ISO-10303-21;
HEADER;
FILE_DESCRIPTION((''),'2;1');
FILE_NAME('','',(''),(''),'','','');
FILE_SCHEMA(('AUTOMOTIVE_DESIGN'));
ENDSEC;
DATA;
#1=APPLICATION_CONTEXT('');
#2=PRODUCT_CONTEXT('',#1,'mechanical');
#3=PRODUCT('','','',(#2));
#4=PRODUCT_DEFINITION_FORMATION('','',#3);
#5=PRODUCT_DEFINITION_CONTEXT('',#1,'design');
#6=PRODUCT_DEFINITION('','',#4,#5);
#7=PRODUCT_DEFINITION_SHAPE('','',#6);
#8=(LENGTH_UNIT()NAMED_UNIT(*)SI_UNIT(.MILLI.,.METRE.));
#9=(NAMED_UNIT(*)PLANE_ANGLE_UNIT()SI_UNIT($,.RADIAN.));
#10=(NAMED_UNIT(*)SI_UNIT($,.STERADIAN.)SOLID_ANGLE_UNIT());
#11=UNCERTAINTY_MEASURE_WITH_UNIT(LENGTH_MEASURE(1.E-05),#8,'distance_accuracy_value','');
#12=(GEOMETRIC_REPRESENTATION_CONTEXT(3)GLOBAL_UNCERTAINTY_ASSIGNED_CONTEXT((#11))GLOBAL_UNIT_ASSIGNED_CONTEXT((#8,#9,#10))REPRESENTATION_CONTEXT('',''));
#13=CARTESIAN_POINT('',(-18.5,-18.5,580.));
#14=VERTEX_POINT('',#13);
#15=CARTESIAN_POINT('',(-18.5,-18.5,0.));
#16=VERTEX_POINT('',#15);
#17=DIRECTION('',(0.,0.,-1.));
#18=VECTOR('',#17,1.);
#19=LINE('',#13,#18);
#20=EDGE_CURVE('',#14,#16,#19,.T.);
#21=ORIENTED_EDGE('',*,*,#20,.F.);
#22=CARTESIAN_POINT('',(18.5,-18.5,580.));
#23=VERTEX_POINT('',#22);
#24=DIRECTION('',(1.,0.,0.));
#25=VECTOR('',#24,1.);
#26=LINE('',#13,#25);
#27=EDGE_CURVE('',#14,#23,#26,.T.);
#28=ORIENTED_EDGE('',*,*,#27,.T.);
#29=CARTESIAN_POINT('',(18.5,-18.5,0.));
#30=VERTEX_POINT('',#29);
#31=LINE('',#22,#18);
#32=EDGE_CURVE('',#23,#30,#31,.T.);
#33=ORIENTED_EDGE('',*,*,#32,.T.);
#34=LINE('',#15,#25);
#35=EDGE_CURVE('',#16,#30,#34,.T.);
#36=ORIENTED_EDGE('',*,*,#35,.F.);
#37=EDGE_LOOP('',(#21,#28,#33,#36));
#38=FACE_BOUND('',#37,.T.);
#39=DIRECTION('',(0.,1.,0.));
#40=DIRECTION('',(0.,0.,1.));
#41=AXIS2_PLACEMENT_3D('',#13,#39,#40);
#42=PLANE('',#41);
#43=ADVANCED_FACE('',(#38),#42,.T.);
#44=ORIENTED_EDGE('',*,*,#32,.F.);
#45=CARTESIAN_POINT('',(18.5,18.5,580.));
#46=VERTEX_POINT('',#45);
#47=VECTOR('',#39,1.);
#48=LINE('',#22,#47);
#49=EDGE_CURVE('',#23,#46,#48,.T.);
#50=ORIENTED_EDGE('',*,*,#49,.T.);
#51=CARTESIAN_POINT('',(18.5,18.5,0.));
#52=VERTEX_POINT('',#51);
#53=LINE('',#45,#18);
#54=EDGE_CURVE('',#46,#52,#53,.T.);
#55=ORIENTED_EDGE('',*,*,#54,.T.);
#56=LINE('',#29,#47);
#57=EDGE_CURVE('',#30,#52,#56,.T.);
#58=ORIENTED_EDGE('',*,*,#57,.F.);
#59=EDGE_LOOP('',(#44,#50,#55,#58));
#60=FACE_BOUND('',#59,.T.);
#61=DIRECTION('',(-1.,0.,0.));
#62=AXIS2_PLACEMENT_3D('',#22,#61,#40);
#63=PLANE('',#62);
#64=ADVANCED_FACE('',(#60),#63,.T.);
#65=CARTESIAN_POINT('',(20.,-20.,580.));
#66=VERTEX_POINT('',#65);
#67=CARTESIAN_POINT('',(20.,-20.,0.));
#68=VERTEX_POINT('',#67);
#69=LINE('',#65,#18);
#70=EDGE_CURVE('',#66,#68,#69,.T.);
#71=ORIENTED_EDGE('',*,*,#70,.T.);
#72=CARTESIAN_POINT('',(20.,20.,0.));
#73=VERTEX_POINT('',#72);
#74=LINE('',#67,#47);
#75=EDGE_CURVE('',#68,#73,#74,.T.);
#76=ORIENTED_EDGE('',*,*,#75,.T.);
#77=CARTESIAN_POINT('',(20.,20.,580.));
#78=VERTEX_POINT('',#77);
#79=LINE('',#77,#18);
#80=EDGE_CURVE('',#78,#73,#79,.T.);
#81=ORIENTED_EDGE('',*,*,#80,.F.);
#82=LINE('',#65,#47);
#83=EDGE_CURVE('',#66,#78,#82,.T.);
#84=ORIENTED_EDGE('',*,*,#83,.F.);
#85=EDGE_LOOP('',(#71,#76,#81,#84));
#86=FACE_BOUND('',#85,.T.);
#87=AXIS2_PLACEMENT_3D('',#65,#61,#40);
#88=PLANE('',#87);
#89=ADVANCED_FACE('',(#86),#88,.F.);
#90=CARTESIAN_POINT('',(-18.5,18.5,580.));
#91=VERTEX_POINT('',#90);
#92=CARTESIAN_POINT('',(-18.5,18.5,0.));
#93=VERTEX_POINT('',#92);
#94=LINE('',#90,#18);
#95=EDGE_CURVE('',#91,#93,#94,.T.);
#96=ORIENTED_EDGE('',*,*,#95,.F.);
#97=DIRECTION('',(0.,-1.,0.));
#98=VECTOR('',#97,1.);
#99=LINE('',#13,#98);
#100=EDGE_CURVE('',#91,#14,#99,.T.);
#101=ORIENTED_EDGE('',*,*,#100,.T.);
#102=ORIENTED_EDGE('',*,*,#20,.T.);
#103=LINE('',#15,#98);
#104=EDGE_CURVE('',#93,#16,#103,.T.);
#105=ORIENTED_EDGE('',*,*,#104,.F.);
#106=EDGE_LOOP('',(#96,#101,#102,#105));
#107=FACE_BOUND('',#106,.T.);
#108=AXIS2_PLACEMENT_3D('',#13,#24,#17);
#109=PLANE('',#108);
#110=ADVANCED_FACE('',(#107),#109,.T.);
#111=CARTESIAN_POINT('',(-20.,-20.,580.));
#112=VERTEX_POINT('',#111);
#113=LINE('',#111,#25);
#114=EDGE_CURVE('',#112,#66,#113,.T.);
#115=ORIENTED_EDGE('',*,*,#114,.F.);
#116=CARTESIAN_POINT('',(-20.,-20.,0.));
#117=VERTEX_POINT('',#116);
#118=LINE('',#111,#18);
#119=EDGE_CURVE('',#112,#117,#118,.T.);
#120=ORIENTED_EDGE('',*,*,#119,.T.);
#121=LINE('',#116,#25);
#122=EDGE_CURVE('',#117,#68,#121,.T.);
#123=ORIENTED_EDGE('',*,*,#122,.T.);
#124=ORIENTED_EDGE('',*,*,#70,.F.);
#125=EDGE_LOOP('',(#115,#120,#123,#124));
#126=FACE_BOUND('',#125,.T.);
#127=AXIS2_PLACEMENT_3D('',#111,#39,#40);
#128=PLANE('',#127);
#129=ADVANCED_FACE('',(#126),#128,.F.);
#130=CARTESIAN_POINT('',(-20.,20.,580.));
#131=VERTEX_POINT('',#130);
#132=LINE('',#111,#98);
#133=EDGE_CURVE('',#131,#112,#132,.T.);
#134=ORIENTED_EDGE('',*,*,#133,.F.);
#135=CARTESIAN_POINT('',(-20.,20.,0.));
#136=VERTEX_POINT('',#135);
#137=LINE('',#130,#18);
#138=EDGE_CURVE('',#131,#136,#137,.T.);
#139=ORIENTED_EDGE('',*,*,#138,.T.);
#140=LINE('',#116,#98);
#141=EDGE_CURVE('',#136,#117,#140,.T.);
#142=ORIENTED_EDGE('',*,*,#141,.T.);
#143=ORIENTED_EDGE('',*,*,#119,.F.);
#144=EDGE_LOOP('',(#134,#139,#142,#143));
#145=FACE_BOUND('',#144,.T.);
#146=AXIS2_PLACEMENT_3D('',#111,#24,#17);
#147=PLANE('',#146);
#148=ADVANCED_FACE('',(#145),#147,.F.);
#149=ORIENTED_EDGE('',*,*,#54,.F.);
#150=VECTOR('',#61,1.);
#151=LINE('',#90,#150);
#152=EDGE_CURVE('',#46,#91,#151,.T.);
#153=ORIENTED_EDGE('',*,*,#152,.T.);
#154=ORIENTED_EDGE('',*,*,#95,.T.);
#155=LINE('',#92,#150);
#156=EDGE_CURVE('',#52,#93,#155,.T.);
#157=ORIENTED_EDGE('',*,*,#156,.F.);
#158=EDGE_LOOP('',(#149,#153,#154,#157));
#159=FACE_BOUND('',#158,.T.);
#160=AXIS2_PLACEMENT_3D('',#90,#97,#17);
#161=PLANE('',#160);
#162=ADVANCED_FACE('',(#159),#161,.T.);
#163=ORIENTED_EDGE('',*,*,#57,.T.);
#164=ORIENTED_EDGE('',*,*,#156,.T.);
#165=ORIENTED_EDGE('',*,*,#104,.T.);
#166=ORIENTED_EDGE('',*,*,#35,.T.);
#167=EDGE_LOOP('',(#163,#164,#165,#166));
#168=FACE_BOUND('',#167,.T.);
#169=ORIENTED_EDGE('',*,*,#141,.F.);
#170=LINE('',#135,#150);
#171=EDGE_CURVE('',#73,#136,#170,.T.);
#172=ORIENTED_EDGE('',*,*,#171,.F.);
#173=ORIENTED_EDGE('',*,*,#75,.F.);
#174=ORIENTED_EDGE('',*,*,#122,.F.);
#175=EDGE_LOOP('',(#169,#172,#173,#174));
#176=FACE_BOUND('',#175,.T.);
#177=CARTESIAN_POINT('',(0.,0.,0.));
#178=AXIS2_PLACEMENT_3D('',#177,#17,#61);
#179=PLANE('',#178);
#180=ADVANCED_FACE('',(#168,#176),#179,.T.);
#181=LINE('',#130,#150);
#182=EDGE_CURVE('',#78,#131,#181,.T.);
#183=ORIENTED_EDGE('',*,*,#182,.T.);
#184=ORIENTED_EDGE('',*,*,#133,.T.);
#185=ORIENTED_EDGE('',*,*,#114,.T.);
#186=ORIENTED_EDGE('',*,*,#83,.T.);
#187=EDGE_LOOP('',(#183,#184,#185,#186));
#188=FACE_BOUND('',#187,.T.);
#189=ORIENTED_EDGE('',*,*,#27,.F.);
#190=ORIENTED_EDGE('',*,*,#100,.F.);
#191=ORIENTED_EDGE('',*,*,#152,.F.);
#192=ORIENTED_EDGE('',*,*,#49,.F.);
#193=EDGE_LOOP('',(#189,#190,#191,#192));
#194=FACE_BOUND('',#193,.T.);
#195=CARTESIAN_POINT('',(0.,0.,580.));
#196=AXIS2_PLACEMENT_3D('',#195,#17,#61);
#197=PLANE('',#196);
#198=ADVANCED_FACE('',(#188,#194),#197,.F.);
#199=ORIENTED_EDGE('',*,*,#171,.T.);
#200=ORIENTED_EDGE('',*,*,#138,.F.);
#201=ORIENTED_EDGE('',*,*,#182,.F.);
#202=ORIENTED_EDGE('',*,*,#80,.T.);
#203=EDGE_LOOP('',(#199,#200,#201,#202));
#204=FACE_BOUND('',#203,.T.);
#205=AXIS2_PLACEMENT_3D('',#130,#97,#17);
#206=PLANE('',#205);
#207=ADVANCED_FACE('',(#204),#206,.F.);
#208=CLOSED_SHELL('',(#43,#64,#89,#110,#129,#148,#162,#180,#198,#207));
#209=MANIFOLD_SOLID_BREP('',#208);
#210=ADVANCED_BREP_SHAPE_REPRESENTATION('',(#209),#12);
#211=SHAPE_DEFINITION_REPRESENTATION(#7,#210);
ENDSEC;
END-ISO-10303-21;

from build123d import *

# Parameters (mm, degrees)
ESQUISSE1_W        = 40
ESQUISSE1_H        = 40
ESQUISSE1_W_2      = 37
ESQUISSE1_H_2      = 37
BOSS_EXTRU_1_DEPTH = 580


with BuildPart() as part:
    # Esquisse1 → Boss.-Extru.1 (new body)
    with BuildSketch(Plane.XY):
        Rectangle(ESQUISSE1_W, ESQUISSE1_H)
        Rectangle(ESQUISSE1_W_2, ESQUISSE1_H_2, mode=Mode.SUBTRACT)
    extrude(amount=BOSS_EXTRU_1_DEPTH)


solid = part.part
